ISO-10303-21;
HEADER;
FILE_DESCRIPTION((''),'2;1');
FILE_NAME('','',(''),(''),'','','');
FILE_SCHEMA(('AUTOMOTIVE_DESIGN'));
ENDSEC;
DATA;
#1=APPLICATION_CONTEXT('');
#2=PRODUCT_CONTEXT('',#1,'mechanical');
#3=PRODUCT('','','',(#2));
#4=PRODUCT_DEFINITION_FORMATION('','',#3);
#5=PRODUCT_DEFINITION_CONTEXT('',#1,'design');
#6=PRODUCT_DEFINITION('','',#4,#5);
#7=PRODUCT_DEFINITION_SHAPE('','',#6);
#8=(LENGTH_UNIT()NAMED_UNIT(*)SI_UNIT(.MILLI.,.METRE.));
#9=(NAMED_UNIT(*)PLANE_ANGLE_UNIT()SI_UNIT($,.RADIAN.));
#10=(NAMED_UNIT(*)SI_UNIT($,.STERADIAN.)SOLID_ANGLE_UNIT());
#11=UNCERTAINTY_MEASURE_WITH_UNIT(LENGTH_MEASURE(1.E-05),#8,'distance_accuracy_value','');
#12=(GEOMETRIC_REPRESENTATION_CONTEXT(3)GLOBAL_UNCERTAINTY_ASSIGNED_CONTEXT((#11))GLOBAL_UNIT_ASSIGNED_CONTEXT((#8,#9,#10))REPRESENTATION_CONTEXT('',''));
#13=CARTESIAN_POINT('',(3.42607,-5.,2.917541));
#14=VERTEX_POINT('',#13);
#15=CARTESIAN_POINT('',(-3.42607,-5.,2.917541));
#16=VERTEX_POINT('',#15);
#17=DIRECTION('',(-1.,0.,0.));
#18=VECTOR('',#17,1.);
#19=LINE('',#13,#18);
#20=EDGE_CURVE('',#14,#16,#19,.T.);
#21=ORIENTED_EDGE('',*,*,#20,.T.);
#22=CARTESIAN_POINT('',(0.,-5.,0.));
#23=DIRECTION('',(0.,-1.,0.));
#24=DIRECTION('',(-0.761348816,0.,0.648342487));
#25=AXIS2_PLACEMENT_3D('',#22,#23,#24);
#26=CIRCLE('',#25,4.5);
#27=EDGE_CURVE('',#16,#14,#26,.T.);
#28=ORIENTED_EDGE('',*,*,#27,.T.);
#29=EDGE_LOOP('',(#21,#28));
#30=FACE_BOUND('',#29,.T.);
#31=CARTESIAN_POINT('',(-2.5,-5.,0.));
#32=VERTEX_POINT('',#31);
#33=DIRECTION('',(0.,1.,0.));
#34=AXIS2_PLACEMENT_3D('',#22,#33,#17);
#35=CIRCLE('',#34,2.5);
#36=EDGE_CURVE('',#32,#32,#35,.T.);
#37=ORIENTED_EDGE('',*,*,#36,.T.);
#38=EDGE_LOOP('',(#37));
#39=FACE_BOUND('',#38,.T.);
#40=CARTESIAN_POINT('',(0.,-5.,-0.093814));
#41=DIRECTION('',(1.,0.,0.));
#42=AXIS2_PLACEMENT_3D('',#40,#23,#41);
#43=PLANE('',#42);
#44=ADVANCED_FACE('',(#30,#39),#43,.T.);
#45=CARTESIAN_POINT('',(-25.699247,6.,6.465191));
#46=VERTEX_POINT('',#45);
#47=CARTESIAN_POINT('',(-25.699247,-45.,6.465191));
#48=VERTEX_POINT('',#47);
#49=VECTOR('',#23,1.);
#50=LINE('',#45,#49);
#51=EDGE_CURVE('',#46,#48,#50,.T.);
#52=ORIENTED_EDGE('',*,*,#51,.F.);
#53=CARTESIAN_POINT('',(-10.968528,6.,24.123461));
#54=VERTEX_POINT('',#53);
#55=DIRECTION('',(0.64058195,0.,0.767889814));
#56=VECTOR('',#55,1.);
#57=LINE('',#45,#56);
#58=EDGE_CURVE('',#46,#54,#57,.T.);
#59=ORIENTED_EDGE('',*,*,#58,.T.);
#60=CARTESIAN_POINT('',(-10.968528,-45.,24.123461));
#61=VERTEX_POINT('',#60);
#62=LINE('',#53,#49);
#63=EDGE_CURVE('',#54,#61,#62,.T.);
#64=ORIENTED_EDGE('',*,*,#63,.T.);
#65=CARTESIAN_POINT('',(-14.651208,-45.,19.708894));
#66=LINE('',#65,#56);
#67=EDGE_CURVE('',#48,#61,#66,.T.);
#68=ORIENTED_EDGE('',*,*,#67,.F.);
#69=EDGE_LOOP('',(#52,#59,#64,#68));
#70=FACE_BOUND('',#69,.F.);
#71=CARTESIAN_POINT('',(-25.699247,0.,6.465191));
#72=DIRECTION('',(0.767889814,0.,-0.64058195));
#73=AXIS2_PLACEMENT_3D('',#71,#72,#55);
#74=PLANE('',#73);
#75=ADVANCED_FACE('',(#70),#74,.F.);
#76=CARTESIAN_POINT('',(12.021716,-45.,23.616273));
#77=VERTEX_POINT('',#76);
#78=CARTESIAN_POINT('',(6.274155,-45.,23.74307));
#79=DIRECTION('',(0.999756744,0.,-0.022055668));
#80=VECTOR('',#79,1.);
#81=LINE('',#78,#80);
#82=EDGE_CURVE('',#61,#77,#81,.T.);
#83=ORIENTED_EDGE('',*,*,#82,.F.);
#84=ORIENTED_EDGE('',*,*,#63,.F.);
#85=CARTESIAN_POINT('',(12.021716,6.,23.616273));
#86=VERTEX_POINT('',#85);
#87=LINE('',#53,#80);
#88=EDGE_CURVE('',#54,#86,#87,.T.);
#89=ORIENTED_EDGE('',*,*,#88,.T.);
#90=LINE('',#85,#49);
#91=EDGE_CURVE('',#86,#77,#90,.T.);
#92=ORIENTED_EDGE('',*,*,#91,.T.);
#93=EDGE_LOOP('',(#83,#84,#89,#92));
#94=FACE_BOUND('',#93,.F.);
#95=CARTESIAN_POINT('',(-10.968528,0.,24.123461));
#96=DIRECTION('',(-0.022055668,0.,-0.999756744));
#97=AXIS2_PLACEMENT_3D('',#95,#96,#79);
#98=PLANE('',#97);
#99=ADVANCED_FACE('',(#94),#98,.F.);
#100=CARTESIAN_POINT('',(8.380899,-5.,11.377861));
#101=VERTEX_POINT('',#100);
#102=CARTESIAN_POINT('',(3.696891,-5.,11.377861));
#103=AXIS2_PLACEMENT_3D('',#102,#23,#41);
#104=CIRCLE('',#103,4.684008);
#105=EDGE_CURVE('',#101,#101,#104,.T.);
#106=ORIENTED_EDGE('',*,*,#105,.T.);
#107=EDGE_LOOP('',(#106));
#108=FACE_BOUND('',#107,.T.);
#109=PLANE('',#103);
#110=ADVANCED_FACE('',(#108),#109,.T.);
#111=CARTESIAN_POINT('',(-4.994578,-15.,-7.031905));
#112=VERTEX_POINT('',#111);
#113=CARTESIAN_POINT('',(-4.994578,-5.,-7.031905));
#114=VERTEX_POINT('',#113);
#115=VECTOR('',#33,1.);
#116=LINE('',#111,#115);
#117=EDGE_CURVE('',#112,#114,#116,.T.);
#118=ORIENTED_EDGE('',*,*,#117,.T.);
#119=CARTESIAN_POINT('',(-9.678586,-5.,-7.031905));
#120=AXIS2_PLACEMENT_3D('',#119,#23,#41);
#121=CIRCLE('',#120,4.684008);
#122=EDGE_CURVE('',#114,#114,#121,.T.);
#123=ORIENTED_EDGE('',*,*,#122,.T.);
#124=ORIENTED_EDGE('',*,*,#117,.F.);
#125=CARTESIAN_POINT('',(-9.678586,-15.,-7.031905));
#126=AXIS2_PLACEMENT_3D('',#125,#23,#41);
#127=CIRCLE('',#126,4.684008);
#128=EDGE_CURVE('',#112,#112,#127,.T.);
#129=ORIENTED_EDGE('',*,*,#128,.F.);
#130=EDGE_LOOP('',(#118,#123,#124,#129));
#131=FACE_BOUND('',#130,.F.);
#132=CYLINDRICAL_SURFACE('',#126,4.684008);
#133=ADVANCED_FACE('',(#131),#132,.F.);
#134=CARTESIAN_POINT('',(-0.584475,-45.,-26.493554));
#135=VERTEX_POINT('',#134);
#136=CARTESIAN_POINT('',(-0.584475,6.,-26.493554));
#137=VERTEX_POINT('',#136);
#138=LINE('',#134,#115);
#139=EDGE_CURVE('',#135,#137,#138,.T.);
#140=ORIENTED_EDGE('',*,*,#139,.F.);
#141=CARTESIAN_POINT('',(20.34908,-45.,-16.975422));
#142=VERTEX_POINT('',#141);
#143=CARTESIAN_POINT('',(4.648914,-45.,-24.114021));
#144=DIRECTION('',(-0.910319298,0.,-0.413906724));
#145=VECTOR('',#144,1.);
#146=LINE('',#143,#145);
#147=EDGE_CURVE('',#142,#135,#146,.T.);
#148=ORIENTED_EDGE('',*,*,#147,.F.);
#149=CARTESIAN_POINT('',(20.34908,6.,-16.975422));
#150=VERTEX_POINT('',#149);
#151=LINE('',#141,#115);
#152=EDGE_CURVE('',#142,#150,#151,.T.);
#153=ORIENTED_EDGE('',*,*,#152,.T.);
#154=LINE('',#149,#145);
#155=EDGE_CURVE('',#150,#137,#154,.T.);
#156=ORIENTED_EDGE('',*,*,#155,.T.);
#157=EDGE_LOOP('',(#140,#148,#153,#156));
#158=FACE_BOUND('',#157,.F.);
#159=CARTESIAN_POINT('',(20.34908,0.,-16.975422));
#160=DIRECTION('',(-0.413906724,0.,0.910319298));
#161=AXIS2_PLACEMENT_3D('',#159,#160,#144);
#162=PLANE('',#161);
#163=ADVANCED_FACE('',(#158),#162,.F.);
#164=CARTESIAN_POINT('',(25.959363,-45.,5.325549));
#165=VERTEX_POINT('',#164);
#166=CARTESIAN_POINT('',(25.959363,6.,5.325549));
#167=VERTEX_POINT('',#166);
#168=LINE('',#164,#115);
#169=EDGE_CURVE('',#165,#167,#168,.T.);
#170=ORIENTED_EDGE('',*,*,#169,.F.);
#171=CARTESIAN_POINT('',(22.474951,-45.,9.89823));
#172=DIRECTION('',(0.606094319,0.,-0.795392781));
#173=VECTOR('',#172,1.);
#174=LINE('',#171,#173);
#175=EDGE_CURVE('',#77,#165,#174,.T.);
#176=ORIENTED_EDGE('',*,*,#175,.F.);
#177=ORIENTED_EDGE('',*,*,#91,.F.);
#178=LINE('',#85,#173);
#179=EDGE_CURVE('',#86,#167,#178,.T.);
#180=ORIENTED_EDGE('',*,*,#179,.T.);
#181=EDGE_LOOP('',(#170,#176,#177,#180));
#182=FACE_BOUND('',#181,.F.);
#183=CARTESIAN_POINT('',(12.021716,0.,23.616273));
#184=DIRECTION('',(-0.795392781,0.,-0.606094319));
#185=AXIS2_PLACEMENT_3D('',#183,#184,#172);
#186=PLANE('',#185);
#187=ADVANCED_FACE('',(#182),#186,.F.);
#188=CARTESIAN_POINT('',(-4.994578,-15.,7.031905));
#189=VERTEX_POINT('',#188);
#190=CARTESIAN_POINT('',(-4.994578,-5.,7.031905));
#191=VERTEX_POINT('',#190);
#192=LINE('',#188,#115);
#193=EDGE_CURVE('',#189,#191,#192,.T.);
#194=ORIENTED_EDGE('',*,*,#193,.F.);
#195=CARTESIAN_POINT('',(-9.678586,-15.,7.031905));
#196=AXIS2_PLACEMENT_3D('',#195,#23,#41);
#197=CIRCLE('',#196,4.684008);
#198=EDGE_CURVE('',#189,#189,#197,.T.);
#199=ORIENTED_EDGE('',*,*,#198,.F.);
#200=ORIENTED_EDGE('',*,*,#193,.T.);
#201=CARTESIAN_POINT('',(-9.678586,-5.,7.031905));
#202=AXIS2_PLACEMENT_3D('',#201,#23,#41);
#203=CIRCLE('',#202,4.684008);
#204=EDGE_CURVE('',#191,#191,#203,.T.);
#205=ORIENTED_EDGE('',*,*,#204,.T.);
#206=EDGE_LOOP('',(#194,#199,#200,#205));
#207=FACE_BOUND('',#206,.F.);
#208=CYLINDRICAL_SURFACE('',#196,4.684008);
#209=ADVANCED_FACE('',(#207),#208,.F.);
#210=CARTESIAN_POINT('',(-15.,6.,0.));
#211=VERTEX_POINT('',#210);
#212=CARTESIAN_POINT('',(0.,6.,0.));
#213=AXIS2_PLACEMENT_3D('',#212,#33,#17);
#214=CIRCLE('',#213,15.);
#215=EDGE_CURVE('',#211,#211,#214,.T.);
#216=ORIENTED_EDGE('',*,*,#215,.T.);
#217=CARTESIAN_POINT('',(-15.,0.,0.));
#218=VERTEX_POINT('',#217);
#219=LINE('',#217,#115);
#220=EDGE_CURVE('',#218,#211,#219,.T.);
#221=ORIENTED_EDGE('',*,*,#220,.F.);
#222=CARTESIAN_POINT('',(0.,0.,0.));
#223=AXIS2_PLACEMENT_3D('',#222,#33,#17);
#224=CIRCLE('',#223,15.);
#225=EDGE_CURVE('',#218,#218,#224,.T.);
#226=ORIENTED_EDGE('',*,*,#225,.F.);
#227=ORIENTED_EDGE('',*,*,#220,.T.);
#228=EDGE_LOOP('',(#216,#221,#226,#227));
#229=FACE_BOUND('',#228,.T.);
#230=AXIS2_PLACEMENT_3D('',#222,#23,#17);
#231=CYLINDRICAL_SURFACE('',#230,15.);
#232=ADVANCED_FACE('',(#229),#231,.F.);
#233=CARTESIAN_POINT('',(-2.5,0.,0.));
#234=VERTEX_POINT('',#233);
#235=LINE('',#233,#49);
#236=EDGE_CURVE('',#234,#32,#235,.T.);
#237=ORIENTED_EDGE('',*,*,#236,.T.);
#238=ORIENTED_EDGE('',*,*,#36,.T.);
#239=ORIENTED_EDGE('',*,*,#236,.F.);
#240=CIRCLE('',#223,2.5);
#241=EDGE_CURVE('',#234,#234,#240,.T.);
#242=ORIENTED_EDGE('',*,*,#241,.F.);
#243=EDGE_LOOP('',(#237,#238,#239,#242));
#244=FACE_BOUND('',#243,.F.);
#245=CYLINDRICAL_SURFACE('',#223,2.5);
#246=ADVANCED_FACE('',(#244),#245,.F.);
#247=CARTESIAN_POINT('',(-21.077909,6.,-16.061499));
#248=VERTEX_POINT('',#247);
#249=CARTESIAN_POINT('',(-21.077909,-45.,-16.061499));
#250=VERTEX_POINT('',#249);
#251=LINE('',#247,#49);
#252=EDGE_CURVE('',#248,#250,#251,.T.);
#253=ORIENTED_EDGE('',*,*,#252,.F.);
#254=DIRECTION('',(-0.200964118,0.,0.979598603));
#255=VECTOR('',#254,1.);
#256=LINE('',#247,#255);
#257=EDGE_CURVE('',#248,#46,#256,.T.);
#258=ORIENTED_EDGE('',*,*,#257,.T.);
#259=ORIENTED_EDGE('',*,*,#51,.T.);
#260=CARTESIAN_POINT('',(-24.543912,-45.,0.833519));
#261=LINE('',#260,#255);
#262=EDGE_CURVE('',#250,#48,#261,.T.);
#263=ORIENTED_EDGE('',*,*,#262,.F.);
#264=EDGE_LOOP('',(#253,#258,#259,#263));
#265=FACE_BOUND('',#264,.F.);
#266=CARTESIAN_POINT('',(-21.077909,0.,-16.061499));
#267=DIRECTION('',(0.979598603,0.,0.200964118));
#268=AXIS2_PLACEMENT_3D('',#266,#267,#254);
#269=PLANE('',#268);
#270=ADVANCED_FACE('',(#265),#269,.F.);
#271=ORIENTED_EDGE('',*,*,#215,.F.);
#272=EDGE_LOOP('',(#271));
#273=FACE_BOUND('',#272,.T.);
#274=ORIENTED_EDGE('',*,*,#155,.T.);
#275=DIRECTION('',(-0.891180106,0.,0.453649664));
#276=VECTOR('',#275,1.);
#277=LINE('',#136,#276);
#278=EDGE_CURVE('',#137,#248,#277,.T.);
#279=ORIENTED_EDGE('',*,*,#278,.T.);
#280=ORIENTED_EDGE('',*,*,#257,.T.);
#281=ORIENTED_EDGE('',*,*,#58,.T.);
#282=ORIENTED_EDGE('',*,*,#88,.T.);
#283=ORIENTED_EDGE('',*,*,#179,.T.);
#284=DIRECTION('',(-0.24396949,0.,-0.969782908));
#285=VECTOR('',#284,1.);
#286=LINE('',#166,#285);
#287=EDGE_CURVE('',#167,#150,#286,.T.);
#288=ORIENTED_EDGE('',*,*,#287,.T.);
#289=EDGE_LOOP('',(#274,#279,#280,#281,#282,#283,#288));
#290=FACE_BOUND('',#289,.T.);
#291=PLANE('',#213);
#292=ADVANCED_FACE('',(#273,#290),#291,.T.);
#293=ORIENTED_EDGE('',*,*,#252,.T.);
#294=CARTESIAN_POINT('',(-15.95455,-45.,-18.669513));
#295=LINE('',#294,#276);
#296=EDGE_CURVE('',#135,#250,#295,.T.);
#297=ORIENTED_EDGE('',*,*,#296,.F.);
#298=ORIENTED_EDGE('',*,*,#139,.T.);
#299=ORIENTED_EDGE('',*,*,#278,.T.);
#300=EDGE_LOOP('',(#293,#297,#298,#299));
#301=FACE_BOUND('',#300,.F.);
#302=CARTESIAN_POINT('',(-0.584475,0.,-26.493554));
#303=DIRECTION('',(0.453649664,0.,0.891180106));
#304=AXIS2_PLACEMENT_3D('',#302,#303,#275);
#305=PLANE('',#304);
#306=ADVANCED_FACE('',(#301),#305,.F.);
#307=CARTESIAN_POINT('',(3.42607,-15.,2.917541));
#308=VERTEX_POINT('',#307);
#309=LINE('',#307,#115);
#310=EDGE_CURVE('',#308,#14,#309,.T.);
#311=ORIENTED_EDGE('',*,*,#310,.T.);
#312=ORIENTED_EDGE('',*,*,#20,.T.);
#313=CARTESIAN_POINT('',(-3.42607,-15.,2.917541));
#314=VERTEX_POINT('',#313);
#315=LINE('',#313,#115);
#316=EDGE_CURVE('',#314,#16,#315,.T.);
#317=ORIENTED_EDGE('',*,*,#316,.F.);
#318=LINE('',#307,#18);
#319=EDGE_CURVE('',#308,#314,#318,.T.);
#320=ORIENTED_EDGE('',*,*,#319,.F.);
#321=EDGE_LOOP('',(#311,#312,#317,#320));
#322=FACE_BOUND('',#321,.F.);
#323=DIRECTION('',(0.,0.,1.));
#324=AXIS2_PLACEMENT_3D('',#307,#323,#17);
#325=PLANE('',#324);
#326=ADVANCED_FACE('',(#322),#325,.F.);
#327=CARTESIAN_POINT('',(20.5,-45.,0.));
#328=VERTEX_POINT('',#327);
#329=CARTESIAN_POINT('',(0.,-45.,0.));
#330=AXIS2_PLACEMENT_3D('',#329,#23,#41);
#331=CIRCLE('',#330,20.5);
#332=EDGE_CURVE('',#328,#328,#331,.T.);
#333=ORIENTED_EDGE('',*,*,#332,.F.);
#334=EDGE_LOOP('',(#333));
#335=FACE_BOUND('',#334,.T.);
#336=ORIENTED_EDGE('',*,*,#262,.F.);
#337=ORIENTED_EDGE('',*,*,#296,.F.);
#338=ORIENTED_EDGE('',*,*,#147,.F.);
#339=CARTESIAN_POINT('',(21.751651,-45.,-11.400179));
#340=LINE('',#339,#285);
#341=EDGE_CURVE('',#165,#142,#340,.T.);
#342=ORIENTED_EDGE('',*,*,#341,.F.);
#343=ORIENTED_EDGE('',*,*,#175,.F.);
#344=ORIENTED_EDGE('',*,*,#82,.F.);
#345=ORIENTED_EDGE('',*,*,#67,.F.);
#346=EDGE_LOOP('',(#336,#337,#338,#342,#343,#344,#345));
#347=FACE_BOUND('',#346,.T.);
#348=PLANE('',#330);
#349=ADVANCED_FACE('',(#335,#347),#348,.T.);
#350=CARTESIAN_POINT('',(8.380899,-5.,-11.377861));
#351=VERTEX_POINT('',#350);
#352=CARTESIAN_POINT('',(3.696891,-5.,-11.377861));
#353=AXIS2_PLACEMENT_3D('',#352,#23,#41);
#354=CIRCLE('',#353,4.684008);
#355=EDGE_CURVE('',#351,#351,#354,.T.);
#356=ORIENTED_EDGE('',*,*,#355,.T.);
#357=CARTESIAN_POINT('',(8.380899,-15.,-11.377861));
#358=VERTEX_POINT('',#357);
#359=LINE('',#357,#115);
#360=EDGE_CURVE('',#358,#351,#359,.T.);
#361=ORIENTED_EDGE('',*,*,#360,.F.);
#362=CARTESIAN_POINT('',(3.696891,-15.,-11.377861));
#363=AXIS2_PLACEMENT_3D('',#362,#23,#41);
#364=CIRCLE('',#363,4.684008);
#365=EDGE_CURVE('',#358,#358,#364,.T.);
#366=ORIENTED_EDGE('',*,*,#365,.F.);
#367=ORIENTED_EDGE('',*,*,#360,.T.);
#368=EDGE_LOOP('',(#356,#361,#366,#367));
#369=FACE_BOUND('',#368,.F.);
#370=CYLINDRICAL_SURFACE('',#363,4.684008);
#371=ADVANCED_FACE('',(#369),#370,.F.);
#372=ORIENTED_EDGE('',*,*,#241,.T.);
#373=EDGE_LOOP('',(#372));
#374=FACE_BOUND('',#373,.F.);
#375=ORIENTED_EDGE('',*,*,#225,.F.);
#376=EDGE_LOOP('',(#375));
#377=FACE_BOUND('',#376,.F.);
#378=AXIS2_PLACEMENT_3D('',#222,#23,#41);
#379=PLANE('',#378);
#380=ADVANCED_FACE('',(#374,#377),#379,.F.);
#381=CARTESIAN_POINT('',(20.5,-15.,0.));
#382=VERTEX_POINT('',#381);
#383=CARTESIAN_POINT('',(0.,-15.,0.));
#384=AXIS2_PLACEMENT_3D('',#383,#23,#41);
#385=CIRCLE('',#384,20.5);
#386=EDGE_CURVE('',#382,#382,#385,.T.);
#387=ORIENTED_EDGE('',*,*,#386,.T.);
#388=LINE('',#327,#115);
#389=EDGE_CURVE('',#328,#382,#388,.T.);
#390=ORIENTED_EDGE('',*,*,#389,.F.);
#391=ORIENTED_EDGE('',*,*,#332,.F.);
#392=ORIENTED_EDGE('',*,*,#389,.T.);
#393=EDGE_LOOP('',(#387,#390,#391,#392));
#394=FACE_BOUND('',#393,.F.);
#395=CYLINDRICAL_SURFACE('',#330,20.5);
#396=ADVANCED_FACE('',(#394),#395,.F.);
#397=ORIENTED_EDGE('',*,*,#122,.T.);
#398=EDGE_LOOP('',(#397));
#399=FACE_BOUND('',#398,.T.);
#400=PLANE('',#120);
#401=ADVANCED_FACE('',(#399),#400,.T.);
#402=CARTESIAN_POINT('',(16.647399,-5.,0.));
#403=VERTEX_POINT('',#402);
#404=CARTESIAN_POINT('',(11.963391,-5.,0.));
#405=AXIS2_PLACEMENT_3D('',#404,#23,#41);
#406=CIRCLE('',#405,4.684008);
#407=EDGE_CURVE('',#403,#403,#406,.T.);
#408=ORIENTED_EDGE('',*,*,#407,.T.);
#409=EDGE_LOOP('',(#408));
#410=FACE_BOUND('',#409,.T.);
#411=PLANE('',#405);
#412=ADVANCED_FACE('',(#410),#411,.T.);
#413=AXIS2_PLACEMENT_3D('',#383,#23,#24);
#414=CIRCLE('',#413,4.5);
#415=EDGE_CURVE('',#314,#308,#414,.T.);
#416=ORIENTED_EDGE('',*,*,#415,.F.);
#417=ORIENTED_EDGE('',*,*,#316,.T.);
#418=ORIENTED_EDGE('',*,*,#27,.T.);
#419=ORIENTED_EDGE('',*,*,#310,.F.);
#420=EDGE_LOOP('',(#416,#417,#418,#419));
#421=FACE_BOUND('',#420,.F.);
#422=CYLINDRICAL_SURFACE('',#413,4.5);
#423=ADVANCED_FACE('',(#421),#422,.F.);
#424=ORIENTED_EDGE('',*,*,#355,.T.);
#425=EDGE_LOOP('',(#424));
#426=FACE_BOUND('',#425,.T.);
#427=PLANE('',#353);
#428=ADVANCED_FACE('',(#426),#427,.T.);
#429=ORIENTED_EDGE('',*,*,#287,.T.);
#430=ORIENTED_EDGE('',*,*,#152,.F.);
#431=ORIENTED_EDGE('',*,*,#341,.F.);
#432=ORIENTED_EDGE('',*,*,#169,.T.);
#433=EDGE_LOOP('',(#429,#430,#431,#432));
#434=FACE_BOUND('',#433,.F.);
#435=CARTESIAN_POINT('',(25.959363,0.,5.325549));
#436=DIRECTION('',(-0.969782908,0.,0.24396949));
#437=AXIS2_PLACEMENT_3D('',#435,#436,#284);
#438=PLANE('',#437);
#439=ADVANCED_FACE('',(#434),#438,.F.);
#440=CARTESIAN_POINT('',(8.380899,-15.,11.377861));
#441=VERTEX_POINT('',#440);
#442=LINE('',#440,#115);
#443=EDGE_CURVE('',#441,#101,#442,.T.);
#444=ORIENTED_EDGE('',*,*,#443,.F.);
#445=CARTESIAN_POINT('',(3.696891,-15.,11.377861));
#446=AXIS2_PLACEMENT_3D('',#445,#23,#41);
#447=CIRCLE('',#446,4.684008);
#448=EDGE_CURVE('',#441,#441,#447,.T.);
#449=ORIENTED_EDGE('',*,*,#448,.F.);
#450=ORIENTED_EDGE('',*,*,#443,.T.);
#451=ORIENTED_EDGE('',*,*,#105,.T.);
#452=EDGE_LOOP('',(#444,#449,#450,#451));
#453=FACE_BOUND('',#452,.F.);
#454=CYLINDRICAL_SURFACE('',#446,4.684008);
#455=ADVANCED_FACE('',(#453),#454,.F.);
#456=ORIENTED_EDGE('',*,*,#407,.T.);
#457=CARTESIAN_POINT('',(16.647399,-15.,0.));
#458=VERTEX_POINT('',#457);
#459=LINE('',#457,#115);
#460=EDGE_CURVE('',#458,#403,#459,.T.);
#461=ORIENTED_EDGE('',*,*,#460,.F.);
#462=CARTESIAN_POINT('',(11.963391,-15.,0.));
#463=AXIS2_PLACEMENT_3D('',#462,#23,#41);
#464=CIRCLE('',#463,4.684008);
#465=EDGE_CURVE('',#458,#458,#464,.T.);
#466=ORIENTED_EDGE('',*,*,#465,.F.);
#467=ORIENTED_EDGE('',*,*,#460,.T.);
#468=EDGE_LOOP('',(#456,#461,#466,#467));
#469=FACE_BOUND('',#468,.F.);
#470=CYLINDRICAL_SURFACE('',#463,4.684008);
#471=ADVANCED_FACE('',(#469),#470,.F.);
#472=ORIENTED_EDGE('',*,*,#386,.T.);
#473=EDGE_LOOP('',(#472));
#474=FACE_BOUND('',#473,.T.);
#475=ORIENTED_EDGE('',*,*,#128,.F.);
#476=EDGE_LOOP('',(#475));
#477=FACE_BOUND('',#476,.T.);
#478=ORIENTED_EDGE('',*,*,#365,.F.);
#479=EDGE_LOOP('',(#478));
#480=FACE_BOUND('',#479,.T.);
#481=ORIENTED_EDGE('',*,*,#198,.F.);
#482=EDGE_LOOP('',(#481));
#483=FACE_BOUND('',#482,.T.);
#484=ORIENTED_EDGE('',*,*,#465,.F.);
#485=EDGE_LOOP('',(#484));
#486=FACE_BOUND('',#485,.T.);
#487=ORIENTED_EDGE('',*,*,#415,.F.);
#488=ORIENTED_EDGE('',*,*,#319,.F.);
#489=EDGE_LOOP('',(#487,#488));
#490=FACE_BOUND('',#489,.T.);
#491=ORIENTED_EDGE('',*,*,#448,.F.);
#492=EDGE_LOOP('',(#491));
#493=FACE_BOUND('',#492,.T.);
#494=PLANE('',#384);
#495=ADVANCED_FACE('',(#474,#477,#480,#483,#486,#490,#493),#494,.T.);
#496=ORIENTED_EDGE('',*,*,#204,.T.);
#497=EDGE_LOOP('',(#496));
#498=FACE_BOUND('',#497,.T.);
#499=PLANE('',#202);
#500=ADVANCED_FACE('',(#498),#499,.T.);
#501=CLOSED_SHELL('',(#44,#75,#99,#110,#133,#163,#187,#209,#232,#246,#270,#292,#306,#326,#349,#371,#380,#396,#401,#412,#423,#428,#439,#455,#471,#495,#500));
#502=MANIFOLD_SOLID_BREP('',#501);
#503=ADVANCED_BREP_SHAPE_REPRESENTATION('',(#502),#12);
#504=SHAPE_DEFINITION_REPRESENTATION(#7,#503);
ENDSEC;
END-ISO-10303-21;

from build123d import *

# Parameters (mm, degrees)
F0_R      = 26.5
F1_DEPTH  = 45
F2_R      = 20.5
F3_DEPTH  = 30
F4_R      = 2.5
F5_DEPTH  = 45.001
F7_DEPTH  = 10
F9_DEPTH  = 45.001
F10_R     = 15
F11_DEPTH = 6
F12_R     = 4.6840080941
F13_DEPTH = 10


with BuildPart() as f1:
    # F0 (on Front) → F1 (new body)
    with BuildSketch(Plane.XZ):
        Circle(F0_R)
    extrude(amount=F1_DEPTH)

    # F2 (on face) → F3 (cut)
    with BuildSketch(Plane.XZ.offset(45)):
        Circle(F2_R)
    extrude(amount=-F3_DEPTH, mode=Mode.SUBTRACT)

    # F4 (on face) → F5 (cut, through all)
    with BuildSketch(Plane(origin=(0, 0, 0), x_dir=(-1, 0, 0), z_dir=(0, 1, 0))):
        Circle(F4_R)
    extrude(amount=-F5_DEPTH, mode=Mode.SUBTRACT)

    # F6 (on face) → F7 (cut)
    with BuildSketch(Plane.XZ.offset(15)):
        with BuildLine():
            Line((3.4260696722, 2.917541191), (-3.4260696722, 2.917541191))
            ThreePointArc((-3.4260696722, 2.917541191), (0, -4.5), (3.4260696722, 2.917541191))
        make_face()
    extrude(amount=-F7_DEPTH, mode=Mode.SUBTRACT)

    # F8 (on face) → F9 (cut, through all)
    with BuildSketch(Plane(origin=(0, 0, 0), x_dir=(-1, 0, 0), z_dir=(0, 1, 0))):
        with BuildLine():
            Line((-25.9593629808, 5.325549139), (-12.0217161029, 23.6162728207))
            ThreePointArc((-12.0217161029, 23.6162728207), (-21.077908703, 16.061499454), (-25.9593629808, 5.325549139))
        make_face()
        with BuildLine():
            ThreePointArc((10.9685281987, 24.1234613842), (-0.584475192, 26.4935537207), (-12.0217161029, 23.6162728207))
            Line((-12.0217161029, 23.6162728207), (10.9685281987, 24.1234613842))
        make_face()
        with BuildLine():
            ThreePointArc((25.6992470496, 6.4651914964), (20.3490800596, 16.9754216657), (10.9685281987, 24.1234613842))
            Line((10.9685281987, 24.1234613842), (25.6992470496, 6.4651914964))
        make_face()
        with BuildLine():
            ThreePointArc((26.5, 0), (26.2990498575, 3.257295902), (25.6992470496, 6.4651914964))
            Line((25.6992470496, 6.4651914964), (21.077908703, -16.061499454))
            ThreePointArc((21.077908703, -16.061499454), (25.1079129024, -8.4760078861), (26.5, 0))
        make_face()
        with BuildLine():
            ThreePointArc((0.584475192, -26.4935537207), (12.0217161029, -23.6162728207), (21.077908703, -16.061499454))
            Line((21.077908703, -16.061499454), (0.584475192, -26.4935537207))
        make_face()
        with BuildLine():
            Line((0.584475192, -26.4935537207), (-20.3490800596, -16.9754216657))
            ThreePointArc((-20.3490800596, -16.9754216657), (-10.9685281987, -24.1234613842), (0.584475192, -26.4935537207))
        make_face()
        with BuildLine():
            Line((-20.3490800596, -16.9754216657), (-25.9593629808, 5.325549139))
            ThreePointArc((-25.9593629808, 5.325549139), (-25.6992470496, -6.4651914964), (-20.3490800596, -16.9754216657))
        make_face()
    extrude(amount=-F9_DEPTH, mode=Mode.SUBTRACT)

    # F10 (on face) → F11 (join)
    with BuildSketch(Plane(origin=(0, 0, 0), x_dir=(-1, 0, 0), z_dir=(0, 1, 0))):
        Polygon((-12.0217161029, 23.6162728207), (-25.9593629808, 5.325549139), (-20.3490800596, -16.9754216657), (0.584475192, -26.4935537207), (21.077908703, -16.061499454), (25.6992470496, 6.4651914964), (10.9685281987, 24.1234613842), align=None)
        Circle(F10_R, mode=Mode.SUBTRACT)
    extrude(amount=F11_DEPTH)

    # F12 (on face) → F13 (cut)
    with BuildSketch(Plane.XZ.offset(15)):
        with Locations((11.9633907452, 0)):
            Circle(F12_R)
        with Locations((3.6968910506, 11.3778607252)):
            Circle(F12_R)
        with Locations((-9.6785864232, 7.0319046475)):
            Circle(F12_R)
        with Locations((-9.6785864232, -7.0319046475)):
            Circle(F12_R)
        with Locations((3.6968910506, -11.3778607252)):
            Circle(F12_R)
    extrude(amount=-F13_DEPTH, mode=Mode.SUBTRACT)


solid = f1.part
